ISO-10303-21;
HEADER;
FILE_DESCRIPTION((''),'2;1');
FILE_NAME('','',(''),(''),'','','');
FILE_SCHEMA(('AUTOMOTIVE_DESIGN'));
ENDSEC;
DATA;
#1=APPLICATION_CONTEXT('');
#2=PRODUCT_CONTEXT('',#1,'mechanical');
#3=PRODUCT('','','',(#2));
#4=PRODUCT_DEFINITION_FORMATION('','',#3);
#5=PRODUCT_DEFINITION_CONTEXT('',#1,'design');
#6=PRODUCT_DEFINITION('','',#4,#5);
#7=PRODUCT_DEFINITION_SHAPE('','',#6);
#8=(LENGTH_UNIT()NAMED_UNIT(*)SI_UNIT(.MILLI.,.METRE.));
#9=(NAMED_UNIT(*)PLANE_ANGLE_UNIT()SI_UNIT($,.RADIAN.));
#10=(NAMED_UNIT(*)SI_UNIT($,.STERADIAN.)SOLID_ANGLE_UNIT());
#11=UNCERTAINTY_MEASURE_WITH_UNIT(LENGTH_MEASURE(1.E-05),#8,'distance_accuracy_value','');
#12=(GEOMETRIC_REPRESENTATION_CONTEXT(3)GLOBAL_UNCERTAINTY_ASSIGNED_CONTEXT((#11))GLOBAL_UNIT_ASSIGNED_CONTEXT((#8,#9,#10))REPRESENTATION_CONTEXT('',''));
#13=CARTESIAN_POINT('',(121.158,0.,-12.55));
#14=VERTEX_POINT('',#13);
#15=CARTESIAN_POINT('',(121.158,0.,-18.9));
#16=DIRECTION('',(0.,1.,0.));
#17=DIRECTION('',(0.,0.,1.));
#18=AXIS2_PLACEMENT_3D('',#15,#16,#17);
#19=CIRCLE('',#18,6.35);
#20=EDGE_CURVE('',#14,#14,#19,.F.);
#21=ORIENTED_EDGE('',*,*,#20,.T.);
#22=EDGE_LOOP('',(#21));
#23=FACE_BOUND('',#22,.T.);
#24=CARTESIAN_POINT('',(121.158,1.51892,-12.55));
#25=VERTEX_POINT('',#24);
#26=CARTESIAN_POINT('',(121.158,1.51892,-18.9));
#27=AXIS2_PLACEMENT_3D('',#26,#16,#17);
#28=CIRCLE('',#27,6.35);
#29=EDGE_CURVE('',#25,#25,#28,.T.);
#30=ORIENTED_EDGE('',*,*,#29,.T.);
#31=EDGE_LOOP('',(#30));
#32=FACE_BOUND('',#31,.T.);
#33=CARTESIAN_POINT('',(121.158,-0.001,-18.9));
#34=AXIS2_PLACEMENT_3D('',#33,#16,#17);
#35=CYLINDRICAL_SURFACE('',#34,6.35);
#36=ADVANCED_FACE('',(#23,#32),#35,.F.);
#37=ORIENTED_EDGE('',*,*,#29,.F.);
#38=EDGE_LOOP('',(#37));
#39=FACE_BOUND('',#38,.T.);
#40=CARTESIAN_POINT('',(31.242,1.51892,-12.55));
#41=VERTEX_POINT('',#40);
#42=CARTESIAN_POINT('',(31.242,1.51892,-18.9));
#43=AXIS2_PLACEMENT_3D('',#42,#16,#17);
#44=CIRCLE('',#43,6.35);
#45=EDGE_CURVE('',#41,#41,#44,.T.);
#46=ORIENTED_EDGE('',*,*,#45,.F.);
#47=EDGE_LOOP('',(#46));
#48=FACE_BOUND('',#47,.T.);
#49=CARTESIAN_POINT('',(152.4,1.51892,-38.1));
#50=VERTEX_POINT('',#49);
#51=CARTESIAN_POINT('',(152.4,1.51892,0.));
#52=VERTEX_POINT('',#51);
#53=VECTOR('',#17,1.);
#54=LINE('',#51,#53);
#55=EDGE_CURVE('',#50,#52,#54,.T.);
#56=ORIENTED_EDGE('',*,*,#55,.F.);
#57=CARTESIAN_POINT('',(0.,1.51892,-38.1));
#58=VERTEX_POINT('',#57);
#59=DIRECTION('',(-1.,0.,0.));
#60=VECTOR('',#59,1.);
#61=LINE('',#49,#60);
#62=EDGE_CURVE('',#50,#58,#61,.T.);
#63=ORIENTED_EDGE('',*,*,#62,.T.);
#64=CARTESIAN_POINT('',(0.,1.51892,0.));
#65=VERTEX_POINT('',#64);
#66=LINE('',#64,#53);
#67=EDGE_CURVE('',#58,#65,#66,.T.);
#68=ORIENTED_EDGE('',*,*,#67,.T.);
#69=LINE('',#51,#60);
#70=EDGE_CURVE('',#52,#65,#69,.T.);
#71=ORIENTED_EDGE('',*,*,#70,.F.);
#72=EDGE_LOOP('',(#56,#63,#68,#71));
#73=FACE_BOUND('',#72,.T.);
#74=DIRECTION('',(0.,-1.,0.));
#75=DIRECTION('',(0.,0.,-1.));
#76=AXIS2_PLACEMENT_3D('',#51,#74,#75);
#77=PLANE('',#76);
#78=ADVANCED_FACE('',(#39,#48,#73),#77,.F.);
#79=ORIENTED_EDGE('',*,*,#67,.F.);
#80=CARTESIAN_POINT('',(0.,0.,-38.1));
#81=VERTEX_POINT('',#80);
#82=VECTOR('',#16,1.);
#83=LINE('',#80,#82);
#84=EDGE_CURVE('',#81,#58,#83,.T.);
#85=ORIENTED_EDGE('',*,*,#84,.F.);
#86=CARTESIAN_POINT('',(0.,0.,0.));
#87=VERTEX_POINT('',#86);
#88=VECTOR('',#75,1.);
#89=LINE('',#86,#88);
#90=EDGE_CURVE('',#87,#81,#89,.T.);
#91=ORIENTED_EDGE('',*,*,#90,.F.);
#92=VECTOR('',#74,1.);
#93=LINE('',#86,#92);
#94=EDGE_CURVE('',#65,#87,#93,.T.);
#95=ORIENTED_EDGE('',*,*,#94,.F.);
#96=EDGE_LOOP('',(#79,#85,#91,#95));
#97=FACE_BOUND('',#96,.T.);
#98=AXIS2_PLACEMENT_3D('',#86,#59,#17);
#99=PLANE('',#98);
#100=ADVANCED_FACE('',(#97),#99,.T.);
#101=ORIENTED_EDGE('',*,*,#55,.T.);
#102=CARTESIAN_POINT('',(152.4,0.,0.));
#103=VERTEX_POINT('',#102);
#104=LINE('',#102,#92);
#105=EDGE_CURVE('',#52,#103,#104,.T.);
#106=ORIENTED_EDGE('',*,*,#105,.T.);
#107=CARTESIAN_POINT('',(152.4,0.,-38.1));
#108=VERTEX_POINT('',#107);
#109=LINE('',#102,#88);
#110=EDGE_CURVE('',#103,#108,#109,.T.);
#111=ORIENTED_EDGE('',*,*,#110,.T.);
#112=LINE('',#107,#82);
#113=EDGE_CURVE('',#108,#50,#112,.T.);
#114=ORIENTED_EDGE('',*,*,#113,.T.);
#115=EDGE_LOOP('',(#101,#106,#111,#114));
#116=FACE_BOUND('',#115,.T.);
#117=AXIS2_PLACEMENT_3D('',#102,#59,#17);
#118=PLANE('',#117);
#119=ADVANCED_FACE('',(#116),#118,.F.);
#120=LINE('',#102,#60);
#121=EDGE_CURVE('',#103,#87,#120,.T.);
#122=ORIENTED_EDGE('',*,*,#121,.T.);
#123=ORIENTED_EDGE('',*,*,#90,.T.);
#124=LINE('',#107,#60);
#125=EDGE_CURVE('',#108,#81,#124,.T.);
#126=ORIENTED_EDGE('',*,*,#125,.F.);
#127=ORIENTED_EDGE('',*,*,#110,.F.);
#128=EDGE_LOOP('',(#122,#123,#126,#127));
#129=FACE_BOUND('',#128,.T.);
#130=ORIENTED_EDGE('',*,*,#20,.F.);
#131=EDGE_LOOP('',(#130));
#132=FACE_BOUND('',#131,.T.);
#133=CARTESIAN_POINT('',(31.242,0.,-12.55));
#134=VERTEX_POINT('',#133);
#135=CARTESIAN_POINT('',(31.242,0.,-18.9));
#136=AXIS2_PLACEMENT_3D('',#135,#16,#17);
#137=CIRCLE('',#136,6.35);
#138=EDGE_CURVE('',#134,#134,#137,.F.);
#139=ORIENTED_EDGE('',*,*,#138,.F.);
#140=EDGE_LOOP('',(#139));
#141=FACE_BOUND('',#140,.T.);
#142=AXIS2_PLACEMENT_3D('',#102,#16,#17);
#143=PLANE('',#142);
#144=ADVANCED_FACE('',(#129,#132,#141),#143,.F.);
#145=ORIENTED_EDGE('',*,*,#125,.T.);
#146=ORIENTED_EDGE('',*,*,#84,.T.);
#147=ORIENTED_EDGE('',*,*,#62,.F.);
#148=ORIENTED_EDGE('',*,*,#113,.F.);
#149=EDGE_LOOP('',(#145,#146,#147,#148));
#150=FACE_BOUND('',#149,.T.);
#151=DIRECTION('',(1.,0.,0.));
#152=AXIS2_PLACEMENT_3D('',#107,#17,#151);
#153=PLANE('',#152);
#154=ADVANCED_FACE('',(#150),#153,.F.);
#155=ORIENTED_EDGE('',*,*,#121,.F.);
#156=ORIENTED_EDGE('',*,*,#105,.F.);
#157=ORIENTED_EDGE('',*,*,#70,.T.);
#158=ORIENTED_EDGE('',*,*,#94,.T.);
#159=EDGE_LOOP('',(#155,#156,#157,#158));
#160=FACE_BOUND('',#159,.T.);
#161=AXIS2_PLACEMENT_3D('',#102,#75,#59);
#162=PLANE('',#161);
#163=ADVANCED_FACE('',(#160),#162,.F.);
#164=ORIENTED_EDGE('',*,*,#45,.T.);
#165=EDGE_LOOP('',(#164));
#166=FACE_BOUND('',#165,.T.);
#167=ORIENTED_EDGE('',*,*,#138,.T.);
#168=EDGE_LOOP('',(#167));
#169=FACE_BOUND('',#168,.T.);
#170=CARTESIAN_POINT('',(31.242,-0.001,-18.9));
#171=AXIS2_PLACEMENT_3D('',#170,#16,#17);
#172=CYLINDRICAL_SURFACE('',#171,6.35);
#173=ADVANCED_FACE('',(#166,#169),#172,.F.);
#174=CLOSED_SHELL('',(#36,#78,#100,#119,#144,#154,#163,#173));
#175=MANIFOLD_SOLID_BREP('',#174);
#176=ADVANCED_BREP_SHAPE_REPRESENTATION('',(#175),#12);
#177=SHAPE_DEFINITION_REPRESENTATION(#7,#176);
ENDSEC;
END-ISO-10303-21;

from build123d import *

# Parameters (mm, degrees)
SKETCH1_W           = 38.1
SKETCH1_H           = 1.51892
BOSS_EXTRUDE1_DEPTH = 152.4
CUT_EXTRUDE1_REACH  = 3.519
SKETCH2_R           = 6.35


with BuildPart() as part:
    # Sketch1 → Boss-Extrude1 (new body)
    with BuildSketch(Plane(origin=(0, 0, 0), x_dir=(0, 0, -1), z_dir=(1, 0, 0))):
        with Locations((19.05, 0.75946)):
            Rectangle(SKETCH1_W, SKETCH1_H)
    extrude(amount=BOSS_EXTRUDE1_DEPTH)

    # Sketch2 → Cut-Extrude1 (cut, up to next)
    with BuildSketch(Plane(origin=(0, 1.51892, 0), x_dir=(1, 0, 0), z_dir=(0, 1, 0)), mode=Mode.PRIVATE) as cut_extrude1_sk1:
        with Locations((31.242, 18.9)):
            Circle(SKETCH2_R)
    cut_extrude1_tool1 = extrude(cut_extrude1_sk1.sketch, amount=-CUT_EXTRUDE1_REACH, mode=Mode.PRIVATE) & part.part
    add(cut_extrude1_tool1.solids().sort_by_distance((31.242, 1.51892, -18.9))[0], mode=Mode.SUBTRACT)
    # Sketch2 → Cut-Extrude1 (cut, up to next)
    with BuildSketch(Plane(origin=(0, 1.51892, 0), x_dir=(1, 0, 0), z_dir=(0, 1, 0)), mode=Mode.PRIVATE) as cut_extrude1_sk2:
        with Locations((121.158, 18.9)):
            Circle(SKETCH2_R)
    cut_extrude1_tool2 = extrude(cut_extrude1_sk2.sketch, amount=-CUT_EXTRUDE1_REACH, mode=Mode.PRIVATE) & part.part
    add(cut_extrude1_tool2.solids().sort_by_distance((121.158, 1.51892, -18.9))[0], mode=Mode.SUBTRACT)


solid = part.part
